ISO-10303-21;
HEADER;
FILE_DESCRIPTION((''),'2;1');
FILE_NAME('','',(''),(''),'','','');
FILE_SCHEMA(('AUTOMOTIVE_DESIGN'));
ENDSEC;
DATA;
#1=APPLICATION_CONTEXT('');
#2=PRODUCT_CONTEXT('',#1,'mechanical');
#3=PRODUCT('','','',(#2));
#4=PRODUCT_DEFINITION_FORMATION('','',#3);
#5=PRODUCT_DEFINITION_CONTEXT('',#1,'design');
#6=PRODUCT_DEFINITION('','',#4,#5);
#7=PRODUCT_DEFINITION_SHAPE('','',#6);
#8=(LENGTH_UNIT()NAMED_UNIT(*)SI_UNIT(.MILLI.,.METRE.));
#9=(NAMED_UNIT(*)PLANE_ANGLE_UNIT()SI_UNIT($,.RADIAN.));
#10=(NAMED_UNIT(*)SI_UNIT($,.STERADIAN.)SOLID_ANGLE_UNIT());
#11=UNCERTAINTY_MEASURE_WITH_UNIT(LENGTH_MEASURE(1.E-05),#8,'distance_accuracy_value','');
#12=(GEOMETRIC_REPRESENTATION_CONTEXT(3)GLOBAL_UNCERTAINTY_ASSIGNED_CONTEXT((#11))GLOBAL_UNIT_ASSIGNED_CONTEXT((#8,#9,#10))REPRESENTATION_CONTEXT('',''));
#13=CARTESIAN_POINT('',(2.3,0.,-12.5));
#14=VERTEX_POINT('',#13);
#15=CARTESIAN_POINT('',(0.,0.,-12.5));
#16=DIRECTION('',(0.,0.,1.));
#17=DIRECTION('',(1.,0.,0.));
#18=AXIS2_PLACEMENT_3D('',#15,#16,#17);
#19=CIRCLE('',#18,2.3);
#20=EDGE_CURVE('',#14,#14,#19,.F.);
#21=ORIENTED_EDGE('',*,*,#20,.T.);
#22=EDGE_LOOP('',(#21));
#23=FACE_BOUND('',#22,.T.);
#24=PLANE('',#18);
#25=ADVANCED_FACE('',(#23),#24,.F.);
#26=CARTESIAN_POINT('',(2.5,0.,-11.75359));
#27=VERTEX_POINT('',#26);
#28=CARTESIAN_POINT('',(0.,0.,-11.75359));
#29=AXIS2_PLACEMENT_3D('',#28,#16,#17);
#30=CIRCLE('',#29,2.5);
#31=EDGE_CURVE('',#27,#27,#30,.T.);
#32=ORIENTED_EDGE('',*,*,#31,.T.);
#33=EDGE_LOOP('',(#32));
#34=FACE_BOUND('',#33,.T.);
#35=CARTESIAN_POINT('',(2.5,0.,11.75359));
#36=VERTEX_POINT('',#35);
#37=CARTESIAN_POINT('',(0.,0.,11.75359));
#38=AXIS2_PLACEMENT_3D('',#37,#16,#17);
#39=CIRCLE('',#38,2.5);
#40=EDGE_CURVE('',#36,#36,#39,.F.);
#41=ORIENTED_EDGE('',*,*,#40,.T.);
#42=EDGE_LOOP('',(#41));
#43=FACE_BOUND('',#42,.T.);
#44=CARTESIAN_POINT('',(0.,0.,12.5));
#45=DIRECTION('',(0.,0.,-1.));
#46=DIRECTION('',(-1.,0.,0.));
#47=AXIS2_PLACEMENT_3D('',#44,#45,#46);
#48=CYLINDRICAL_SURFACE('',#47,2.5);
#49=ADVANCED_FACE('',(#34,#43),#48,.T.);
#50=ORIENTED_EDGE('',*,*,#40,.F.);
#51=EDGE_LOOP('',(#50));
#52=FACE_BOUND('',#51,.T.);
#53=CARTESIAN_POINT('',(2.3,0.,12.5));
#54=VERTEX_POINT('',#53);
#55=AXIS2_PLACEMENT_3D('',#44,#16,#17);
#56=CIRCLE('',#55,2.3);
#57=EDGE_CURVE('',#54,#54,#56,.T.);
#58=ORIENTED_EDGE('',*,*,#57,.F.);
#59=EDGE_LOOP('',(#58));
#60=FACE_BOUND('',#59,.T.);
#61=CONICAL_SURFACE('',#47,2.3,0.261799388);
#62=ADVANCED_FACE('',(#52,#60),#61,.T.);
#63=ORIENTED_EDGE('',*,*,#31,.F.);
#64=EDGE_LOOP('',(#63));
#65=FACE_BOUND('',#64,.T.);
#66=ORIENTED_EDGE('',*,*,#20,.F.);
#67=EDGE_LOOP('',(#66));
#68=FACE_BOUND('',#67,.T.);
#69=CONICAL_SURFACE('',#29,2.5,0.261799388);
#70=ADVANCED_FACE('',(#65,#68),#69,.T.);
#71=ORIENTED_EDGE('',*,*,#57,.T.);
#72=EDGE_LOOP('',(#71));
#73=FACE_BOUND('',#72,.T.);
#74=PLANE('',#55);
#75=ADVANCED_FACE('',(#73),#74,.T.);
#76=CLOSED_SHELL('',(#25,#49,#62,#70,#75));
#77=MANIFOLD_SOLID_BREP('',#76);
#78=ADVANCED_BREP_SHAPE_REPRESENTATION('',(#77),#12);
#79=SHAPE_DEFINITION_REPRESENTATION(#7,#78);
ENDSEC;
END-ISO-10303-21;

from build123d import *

# Parameters (mm, degrees)
SKETCH_1_R      = 2.5
EXTRUDE_1_DEPTH = 12.5
CHAMFER_1_SIZE  = 0.2
CHAMFER_1_SIZE2 = 0.746410162
CHAMFER_2_SIZE  = 0.2
CHAMFER_2_SIZE2 = 0.746410162


with BuildPart() as part:
    # 草图1 → 凸台-拉伸1 (new, symmetric)
    with BuildSketch(Plane.XY):
        Circle(SKETCH_1_R)
    extrude(amount=EXTRUDE_1_DEPTH, both=True)

    # 倒角1
    chamfer_1_edges = [part.edges().sort_by_distance(p)[0] for p in [
        (-2.5, 0, 12.5),
    ]]
    chamfer_1_side = [part.faces().sort_by_distance(p)[0] for p in [
        (0, 0, 12.5),
    ]]
    chamfer(chamfer_1_edges, length=CHAMFER_1_SIZE, length2=CHAMFER_1_SIZE2, reference=chamfer_1_side[0])

    # 倒角2
    chamfer_2_edges = [part.edges().sort_by_distance(p)[0] for p in [
        (-2.5, 0, -12.5),
    ]]
    chamfer_2_side = [part.faces().sort_by_distance(p)[0] for p in [
        (0, 0, -12.5),
    ]]
    chamfer(chamfer_2_edges, length=CHAMFER_2_SIZE, length2=CHAMFER_2_SIZE2, reference=chamfer_2_side[0])


solid = part.part
